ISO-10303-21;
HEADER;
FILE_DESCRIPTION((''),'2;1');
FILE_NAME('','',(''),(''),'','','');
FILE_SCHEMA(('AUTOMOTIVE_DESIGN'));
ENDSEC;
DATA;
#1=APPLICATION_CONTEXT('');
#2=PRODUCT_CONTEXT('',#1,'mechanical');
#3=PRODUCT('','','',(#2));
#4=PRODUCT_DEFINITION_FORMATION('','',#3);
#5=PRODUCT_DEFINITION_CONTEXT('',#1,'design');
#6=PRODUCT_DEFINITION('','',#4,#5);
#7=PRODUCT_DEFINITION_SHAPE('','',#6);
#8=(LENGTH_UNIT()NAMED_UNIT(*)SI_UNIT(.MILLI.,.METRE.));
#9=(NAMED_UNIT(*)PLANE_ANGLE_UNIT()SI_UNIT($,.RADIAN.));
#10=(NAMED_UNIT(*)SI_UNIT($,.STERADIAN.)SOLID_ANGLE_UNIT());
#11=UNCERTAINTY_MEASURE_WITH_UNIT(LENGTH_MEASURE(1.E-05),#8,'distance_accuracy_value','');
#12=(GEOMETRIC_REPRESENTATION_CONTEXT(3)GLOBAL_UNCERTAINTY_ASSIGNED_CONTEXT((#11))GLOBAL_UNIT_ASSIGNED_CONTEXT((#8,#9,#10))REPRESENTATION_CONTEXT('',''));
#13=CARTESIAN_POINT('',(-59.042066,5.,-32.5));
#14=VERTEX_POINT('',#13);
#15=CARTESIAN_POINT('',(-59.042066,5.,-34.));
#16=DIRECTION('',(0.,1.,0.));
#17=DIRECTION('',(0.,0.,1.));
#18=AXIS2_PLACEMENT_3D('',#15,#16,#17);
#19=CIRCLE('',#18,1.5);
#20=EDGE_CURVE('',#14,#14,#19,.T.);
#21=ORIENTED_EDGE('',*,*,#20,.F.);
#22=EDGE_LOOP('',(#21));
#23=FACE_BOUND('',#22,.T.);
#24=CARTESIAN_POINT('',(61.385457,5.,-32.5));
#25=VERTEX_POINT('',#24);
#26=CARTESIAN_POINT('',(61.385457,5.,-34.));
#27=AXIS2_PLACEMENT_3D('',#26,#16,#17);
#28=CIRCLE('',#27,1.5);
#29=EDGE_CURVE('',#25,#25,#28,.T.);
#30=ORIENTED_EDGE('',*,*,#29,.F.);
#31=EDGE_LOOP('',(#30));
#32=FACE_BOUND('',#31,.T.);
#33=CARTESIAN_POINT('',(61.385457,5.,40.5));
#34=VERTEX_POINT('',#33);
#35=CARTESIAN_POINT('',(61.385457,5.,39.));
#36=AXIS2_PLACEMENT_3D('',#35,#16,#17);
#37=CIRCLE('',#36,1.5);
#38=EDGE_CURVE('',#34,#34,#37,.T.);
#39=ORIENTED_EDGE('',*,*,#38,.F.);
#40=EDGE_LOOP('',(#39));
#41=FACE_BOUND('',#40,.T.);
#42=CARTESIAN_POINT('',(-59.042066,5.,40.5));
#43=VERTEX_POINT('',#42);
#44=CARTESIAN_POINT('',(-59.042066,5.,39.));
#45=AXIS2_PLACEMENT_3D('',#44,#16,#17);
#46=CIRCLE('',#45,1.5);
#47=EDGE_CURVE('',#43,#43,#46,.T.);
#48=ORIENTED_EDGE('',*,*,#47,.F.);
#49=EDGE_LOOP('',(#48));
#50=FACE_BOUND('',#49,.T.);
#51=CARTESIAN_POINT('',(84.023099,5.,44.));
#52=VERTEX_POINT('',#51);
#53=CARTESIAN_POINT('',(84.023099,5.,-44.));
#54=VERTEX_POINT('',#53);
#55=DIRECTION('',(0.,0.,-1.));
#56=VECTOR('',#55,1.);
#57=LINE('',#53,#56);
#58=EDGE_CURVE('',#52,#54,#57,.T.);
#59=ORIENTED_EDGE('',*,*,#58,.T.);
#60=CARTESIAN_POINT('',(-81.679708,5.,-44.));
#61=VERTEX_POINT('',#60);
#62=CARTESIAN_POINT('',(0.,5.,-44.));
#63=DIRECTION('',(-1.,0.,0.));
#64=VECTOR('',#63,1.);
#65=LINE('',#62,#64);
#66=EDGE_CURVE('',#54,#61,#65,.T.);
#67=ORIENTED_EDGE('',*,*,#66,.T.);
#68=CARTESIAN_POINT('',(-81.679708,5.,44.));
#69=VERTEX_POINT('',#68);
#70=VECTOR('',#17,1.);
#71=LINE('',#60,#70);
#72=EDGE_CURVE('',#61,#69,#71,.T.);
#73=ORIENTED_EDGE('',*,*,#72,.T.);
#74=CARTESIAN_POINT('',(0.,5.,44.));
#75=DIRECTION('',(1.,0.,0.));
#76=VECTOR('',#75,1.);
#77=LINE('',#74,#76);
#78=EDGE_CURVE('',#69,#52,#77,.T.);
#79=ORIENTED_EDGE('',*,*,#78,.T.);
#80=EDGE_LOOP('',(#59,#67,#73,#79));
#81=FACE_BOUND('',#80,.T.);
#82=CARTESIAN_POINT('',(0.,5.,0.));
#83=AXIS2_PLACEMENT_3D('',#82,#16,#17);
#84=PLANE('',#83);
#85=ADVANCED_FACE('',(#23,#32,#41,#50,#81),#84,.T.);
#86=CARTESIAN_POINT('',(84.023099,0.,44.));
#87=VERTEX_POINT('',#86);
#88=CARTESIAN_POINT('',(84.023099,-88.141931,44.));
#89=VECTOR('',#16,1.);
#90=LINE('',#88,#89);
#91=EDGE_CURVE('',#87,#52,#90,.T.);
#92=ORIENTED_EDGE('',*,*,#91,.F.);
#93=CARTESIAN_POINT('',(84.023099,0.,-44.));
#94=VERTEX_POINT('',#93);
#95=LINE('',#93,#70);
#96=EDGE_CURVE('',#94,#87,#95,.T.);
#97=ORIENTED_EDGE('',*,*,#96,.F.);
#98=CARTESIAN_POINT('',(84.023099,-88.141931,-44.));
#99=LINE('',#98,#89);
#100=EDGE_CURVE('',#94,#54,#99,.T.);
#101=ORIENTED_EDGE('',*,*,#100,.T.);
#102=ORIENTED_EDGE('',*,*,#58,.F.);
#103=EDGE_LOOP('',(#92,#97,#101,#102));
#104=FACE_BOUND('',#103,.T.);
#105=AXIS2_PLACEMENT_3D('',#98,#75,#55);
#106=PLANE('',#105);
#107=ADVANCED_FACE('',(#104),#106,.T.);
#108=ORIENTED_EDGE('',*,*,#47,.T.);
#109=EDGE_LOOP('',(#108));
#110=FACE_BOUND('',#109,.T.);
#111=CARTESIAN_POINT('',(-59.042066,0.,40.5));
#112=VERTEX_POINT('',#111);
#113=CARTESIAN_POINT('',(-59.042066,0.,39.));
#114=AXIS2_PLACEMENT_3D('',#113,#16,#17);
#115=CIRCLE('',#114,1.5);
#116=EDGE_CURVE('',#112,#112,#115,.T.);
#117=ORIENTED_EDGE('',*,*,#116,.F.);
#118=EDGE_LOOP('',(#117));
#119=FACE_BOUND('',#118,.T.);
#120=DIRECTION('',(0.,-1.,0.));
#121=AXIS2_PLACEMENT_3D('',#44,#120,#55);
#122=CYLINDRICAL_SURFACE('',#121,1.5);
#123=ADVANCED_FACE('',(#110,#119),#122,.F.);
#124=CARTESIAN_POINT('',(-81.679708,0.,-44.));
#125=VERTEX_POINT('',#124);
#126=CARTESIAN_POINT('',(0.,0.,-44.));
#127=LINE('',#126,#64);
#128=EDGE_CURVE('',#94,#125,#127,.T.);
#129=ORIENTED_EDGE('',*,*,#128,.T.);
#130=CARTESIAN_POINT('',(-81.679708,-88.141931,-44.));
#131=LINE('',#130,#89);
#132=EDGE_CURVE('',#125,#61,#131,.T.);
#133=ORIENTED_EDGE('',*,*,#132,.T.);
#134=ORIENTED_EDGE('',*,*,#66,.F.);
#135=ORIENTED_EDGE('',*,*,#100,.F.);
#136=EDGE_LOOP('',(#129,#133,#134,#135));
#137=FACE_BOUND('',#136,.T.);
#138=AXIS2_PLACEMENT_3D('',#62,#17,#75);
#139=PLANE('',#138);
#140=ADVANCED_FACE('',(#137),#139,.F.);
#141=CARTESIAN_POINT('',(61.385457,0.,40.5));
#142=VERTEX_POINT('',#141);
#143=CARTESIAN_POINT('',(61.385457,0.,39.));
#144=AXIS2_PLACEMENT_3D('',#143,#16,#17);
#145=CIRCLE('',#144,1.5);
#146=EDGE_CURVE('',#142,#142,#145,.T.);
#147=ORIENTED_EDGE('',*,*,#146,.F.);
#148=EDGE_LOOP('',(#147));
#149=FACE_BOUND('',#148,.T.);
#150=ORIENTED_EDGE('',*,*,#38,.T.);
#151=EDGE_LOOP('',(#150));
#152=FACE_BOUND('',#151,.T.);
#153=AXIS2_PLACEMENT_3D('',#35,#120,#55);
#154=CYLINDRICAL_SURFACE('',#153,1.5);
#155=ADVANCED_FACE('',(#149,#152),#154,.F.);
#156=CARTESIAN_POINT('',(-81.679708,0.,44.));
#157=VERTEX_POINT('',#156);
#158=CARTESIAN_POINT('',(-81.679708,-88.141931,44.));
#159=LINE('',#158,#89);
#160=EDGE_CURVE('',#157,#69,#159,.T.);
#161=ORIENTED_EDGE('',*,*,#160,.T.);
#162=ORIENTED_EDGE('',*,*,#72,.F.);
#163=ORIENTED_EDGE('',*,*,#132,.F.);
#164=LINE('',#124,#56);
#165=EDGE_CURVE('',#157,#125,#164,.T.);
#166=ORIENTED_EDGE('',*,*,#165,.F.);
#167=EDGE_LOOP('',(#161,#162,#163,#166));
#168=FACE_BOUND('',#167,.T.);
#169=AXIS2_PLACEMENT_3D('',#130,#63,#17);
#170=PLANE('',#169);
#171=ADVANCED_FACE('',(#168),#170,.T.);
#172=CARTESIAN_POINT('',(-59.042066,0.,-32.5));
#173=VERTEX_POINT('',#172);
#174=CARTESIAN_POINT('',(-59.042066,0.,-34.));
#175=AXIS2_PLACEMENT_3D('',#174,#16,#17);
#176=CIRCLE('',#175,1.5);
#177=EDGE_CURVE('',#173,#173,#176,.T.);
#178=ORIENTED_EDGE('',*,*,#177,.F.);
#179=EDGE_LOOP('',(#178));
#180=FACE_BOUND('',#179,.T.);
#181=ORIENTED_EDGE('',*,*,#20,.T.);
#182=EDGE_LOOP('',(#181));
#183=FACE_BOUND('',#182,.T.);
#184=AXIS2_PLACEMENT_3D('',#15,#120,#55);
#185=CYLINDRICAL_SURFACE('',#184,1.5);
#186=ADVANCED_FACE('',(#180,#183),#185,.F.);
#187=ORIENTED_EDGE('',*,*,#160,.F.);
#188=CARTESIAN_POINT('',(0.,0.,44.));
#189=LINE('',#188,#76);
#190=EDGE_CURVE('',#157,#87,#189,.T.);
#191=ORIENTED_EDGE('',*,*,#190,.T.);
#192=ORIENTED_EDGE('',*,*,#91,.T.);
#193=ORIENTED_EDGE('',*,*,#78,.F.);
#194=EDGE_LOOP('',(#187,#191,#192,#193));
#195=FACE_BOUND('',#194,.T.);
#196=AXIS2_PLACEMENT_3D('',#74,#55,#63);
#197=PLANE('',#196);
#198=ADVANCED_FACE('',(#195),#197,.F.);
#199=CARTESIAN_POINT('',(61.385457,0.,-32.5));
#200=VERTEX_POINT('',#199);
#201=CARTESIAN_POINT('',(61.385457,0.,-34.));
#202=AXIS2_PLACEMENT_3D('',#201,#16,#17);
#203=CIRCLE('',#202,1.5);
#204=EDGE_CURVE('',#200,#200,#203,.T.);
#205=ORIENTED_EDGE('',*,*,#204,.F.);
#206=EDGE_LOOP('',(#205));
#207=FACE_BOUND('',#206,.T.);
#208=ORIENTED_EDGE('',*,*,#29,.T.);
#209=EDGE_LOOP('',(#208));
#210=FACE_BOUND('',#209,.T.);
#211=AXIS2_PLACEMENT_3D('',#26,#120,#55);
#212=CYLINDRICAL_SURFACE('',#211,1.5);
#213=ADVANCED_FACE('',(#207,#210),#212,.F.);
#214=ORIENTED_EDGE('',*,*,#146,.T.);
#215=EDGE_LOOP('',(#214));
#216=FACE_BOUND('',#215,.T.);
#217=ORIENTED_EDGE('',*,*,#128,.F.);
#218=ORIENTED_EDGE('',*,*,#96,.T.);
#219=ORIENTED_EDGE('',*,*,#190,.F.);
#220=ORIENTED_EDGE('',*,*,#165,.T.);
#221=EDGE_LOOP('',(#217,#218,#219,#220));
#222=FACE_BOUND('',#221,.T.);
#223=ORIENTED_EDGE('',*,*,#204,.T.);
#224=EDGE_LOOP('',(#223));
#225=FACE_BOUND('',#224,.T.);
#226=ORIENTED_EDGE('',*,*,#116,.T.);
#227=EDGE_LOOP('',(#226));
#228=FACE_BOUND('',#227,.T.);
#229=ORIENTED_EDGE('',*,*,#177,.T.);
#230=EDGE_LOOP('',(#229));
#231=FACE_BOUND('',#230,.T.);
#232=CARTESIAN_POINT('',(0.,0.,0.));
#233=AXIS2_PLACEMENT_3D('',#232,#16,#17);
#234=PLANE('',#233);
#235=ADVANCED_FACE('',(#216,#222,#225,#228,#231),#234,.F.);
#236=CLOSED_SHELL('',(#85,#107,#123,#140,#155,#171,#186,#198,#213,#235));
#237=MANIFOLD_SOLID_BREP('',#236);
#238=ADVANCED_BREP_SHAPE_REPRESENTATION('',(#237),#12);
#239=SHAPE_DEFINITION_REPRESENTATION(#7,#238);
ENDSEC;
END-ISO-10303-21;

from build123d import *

# Parameters (mm, degrees)
SKETCH1_W           = 155.702807198
SKETCH1_H           = 58
SKETCH1_R           = 1.5
BOSS_EXTRUDE2_DEPTH = 5
SKETCH2_W           = 5
SKETCH2_H           = 88
BOSS_EXTRUDE3_DEPTH = 5


with BuildPart() as part:
    # Sketch1 → Boss-Extrude2 (new body)
    with BuildSketch(Plane(origin=(0, 0, 0), x_dir=(1, 0, 0), z_dir=(0, 1, 0))):
        with Locations((1.171695753, -5)):
            Rectangle(SKETCH1_W, SKETCH1_H)
        Polygon((-76.679707846, 44), (-76.679707846, 24), (79.023099352, 24), (79.023099352, 44), (62.885457038, 44), (59.885457038, 44), (-57.542065533, 44), (-60.542065533, 44), align=None)
        with Locations((-59.042065533, 34)):
            Circle(SKETCH1_R, mode=Mode.SUBTRACT)
        with Locations((61.385457038, 34)):
            Circle(SKETCH1_R, mode=Mode.SUBTRACT)
        Polygon((-76.679707846, -44), (-60.542065533, -44), (-57.542065533, -44), (59.885457038, -44), (62.885457038, -44), (79.023099352, -44), (79.023099352, -34), (-76.679707846, -34), align=None)
        with Locations((-59.042065533, -39)):
            Circle(SKETCH1_R, mode=Mode.SUBTRACT)
        with Locations((61.385457038, -39)):
            Circle(SKETCH1_R, mode=Mode.SUBTRACT)
    extrude(amount=BOSS_EXTRUDE2_DEPTH)

    # Sketch2 → Boss-Extrude3 (add)
    with BuildSketch(Plane(origin=(0, 5, 0), x_dir=(1, 0, 0), z_dir=(0, 1, 0))):
        with Locations((81.523099352, 0)):
            Rectangle(SKETCH2_W, SKETCH2_H)
        with Locations((-79.179707846, 0)):
            Rectangle(SKETCH2_W, SKETCH2_H)
    extrude(amount=-BOSS_EXTRUDE3_DEPTH)


solid = part.part
